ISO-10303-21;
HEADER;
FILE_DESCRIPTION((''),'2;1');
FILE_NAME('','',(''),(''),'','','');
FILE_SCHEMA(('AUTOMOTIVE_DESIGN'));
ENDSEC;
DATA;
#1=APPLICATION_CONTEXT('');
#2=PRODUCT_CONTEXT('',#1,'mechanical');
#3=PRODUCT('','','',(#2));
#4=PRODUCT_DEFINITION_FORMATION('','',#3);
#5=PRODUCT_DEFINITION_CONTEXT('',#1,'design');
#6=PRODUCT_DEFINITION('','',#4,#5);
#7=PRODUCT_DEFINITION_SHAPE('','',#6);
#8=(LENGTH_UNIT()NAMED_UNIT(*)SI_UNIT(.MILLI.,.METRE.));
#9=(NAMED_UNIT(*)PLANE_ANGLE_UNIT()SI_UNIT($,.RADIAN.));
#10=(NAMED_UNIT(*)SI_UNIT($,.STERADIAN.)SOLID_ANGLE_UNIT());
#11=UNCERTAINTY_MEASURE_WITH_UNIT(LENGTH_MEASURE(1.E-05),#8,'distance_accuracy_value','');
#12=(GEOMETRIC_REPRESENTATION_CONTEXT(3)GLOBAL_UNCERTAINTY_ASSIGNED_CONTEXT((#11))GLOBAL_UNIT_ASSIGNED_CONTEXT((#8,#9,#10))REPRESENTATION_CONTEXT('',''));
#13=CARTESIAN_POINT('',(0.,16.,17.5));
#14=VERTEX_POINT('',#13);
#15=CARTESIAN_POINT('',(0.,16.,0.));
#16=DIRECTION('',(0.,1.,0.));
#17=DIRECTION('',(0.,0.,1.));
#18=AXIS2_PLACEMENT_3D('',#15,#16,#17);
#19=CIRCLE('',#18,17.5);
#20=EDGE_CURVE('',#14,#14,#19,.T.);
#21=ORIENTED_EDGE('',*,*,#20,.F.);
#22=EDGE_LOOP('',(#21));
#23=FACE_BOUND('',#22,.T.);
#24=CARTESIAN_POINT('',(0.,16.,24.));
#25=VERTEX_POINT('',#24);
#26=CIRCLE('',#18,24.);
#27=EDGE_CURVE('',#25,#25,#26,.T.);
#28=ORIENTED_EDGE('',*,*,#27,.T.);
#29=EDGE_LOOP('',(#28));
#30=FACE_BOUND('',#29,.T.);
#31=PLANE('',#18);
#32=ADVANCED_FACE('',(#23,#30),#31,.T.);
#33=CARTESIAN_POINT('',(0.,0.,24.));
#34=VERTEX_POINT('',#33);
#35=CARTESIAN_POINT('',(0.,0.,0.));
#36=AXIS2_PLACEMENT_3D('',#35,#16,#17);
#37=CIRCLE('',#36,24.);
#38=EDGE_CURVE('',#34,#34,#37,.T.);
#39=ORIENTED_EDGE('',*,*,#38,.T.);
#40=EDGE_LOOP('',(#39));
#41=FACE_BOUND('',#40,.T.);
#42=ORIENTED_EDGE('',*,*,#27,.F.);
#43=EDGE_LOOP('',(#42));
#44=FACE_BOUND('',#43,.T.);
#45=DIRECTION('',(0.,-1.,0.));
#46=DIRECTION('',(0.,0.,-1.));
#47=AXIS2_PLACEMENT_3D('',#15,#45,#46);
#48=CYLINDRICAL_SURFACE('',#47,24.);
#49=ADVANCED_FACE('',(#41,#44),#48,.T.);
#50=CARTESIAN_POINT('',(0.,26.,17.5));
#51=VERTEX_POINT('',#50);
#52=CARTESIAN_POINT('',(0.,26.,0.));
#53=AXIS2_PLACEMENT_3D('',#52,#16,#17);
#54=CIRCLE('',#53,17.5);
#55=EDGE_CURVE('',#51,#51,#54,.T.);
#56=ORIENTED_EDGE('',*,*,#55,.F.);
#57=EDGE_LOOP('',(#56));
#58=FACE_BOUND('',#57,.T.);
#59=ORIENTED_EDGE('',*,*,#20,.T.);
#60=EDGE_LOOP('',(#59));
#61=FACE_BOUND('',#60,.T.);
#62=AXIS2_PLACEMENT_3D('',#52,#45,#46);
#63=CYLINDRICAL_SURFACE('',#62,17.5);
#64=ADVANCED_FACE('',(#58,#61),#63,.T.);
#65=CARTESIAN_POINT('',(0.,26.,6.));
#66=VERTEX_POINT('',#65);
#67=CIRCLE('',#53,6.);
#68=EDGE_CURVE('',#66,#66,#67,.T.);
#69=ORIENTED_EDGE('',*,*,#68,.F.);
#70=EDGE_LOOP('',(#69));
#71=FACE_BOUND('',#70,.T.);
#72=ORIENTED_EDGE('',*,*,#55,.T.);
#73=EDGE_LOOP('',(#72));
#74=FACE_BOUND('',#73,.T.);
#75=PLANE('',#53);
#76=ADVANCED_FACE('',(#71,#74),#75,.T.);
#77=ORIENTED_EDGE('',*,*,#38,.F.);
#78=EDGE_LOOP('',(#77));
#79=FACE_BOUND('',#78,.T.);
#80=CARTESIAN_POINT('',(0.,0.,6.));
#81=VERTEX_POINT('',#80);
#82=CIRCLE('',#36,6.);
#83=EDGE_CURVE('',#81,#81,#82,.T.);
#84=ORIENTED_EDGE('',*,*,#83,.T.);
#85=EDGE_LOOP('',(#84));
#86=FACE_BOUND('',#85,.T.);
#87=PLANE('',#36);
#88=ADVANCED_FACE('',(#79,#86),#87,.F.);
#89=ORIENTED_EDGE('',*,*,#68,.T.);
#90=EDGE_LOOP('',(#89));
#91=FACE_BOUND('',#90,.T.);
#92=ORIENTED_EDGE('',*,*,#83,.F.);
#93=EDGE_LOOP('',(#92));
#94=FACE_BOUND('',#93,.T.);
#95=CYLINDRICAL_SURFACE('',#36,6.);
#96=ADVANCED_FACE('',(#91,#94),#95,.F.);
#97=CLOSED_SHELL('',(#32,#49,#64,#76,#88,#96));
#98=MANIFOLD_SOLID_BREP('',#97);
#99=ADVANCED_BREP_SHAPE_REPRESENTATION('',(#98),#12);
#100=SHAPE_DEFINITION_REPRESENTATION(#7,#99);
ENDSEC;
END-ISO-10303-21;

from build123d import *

# Parameters (mm, degrees)
SKETCH1_R           = 24
BOSS_EXTRUDE1_DEPTH = 16
SKETCH2_R           = 17.5
BOSS_EXTRUDE2_DEPTH = 10
SKETCH3_R           = 6
CUT_EXTRUDE1_DEPTH  = 26


with BuildPart() as part:
    # Sketch1 → Boss-Extrude1 (new body)
    with BuildSketch(Plane(origin=(0, 0, 0), x_dir=(1, 0, 0), z_dir=(0, 1, 0))):
        Circle(SKETCH1_R)
    extrude(amount=BOSS_EXTRUDE1_DEPTH)

    # Sketch2 → Boss-Extrude2 (add)
    with BuildSketch(Plane(origin=(0, 16, 0), x_dir=(1, 0, 0), z_dir=(0, 1, 0))):
        Circle(SKETCH2_R)
    extrude(amount=BOSS_EXTRUDE2_DEPTH)

    # Sketch3 → Cut-Extrude1 (cut)
    with BuildSketch(Plane(origin=(0, 26, 0), x_dir=(1, 0, 0), z_dir=(0, 1, 0))):
        Circle(SKETCH3_R)
    extrude(amount=-CUT_EXTRUDE1_DEPTH, mode=Mode.SUBTRACT)


solid = part.part
